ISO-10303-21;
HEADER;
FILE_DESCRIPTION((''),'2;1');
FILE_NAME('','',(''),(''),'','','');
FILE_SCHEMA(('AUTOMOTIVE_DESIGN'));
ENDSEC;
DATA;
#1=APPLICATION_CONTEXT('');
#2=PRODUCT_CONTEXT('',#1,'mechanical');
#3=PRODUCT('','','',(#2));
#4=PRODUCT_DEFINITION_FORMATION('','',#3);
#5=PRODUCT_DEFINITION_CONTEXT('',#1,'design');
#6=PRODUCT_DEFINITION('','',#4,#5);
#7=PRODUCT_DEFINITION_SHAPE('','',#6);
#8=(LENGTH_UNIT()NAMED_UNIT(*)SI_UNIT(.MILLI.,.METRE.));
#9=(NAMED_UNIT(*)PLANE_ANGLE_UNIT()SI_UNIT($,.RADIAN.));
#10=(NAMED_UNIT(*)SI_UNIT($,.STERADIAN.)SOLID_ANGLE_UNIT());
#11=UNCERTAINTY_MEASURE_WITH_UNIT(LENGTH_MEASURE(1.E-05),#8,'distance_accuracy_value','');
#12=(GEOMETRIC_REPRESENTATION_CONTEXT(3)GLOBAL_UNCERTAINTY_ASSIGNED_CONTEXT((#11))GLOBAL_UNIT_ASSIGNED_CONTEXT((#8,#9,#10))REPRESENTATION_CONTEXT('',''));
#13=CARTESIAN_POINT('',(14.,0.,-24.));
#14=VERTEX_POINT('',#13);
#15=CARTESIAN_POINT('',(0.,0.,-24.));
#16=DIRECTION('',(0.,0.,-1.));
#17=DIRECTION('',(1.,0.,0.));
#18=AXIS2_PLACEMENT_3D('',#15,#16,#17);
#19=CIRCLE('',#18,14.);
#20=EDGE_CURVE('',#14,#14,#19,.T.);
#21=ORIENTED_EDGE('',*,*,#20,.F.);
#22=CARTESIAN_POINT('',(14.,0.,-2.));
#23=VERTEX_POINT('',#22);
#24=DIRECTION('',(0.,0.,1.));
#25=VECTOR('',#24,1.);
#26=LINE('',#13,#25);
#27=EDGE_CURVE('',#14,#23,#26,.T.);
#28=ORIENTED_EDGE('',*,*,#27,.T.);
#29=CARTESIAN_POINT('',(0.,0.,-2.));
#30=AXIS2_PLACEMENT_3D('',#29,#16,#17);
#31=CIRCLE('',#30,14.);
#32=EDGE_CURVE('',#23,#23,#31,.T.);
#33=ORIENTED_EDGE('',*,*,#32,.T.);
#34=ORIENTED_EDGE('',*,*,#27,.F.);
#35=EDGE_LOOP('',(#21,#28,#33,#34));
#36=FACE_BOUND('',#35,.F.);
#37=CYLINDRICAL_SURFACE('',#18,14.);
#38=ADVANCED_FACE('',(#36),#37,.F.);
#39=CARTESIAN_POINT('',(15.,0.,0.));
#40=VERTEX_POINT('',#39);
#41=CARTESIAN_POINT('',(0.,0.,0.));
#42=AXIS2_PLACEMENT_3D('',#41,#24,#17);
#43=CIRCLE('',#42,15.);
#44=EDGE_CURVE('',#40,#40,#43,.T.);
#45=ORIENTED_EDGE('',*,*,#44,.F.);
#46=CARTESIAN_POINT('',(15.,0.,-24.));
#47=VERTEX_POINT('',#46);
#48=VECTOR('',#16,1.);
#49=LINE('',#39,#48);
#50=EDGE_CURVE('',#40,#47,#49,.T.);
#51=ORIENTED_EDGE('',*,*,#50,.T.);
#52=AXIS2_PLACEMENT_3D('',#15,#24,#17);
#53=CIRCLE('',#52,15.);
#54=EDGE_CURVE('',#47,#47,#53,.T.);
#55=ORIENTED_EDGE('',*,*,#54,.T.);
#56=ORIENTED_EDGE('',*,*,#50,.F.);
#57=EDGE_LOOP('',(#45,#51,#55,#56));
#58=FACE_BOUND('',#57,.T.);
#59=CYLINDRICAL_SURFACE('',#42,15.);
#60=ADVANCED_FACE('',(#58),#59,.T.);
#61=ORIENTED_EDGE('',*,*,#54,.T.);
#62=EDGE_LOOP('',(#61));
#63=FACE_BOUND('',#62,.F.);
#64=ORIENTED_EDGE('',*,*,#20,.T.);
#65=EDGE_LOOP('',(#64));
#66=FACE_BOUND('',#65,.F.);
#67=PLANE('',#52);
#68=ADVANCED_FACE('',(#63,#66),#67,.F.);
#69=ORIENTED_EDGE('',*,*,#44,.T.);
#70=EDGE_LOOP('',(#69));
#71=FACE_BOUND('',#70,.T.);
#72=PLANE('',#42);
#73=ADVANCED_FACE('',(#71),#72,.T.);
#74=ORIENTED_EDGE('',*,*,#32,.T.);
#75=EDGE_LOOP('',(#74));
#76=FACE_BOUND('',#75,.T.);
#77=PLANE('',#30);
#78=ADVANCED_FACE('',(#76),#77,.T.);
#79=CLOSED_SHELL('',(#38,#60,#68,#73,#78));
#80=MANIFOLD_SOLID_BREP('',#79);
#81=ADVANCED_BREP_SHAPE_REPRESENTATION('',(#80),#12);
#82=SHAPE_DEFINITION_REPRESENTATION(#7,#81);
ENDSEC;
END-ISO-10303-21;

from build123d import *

# Parameters (mm, degrees)
F0_R     = 15
F1_DEPTH = 24
F2_R     = 14
F3_DEPTH = 22


with BuildPart() as f1:
    # F0 (on Top) → F1 (new body)
    with BuildSketch(Plane.XY):
        Circle(F0_R)
    extrude(amount=-F1_DEPTH)

    # F2 (on face) → F3 (cut)
    with BuildSketch(Plane(origin=(0, 0, -24), x_dir=(1, 0, 0), z_dir=(0, 0, -1))):
        Circle(F2_R)
    extrude(amount=-F3_DEPTH, mode=Mode.SUBTRACT)


solid = f1.part
